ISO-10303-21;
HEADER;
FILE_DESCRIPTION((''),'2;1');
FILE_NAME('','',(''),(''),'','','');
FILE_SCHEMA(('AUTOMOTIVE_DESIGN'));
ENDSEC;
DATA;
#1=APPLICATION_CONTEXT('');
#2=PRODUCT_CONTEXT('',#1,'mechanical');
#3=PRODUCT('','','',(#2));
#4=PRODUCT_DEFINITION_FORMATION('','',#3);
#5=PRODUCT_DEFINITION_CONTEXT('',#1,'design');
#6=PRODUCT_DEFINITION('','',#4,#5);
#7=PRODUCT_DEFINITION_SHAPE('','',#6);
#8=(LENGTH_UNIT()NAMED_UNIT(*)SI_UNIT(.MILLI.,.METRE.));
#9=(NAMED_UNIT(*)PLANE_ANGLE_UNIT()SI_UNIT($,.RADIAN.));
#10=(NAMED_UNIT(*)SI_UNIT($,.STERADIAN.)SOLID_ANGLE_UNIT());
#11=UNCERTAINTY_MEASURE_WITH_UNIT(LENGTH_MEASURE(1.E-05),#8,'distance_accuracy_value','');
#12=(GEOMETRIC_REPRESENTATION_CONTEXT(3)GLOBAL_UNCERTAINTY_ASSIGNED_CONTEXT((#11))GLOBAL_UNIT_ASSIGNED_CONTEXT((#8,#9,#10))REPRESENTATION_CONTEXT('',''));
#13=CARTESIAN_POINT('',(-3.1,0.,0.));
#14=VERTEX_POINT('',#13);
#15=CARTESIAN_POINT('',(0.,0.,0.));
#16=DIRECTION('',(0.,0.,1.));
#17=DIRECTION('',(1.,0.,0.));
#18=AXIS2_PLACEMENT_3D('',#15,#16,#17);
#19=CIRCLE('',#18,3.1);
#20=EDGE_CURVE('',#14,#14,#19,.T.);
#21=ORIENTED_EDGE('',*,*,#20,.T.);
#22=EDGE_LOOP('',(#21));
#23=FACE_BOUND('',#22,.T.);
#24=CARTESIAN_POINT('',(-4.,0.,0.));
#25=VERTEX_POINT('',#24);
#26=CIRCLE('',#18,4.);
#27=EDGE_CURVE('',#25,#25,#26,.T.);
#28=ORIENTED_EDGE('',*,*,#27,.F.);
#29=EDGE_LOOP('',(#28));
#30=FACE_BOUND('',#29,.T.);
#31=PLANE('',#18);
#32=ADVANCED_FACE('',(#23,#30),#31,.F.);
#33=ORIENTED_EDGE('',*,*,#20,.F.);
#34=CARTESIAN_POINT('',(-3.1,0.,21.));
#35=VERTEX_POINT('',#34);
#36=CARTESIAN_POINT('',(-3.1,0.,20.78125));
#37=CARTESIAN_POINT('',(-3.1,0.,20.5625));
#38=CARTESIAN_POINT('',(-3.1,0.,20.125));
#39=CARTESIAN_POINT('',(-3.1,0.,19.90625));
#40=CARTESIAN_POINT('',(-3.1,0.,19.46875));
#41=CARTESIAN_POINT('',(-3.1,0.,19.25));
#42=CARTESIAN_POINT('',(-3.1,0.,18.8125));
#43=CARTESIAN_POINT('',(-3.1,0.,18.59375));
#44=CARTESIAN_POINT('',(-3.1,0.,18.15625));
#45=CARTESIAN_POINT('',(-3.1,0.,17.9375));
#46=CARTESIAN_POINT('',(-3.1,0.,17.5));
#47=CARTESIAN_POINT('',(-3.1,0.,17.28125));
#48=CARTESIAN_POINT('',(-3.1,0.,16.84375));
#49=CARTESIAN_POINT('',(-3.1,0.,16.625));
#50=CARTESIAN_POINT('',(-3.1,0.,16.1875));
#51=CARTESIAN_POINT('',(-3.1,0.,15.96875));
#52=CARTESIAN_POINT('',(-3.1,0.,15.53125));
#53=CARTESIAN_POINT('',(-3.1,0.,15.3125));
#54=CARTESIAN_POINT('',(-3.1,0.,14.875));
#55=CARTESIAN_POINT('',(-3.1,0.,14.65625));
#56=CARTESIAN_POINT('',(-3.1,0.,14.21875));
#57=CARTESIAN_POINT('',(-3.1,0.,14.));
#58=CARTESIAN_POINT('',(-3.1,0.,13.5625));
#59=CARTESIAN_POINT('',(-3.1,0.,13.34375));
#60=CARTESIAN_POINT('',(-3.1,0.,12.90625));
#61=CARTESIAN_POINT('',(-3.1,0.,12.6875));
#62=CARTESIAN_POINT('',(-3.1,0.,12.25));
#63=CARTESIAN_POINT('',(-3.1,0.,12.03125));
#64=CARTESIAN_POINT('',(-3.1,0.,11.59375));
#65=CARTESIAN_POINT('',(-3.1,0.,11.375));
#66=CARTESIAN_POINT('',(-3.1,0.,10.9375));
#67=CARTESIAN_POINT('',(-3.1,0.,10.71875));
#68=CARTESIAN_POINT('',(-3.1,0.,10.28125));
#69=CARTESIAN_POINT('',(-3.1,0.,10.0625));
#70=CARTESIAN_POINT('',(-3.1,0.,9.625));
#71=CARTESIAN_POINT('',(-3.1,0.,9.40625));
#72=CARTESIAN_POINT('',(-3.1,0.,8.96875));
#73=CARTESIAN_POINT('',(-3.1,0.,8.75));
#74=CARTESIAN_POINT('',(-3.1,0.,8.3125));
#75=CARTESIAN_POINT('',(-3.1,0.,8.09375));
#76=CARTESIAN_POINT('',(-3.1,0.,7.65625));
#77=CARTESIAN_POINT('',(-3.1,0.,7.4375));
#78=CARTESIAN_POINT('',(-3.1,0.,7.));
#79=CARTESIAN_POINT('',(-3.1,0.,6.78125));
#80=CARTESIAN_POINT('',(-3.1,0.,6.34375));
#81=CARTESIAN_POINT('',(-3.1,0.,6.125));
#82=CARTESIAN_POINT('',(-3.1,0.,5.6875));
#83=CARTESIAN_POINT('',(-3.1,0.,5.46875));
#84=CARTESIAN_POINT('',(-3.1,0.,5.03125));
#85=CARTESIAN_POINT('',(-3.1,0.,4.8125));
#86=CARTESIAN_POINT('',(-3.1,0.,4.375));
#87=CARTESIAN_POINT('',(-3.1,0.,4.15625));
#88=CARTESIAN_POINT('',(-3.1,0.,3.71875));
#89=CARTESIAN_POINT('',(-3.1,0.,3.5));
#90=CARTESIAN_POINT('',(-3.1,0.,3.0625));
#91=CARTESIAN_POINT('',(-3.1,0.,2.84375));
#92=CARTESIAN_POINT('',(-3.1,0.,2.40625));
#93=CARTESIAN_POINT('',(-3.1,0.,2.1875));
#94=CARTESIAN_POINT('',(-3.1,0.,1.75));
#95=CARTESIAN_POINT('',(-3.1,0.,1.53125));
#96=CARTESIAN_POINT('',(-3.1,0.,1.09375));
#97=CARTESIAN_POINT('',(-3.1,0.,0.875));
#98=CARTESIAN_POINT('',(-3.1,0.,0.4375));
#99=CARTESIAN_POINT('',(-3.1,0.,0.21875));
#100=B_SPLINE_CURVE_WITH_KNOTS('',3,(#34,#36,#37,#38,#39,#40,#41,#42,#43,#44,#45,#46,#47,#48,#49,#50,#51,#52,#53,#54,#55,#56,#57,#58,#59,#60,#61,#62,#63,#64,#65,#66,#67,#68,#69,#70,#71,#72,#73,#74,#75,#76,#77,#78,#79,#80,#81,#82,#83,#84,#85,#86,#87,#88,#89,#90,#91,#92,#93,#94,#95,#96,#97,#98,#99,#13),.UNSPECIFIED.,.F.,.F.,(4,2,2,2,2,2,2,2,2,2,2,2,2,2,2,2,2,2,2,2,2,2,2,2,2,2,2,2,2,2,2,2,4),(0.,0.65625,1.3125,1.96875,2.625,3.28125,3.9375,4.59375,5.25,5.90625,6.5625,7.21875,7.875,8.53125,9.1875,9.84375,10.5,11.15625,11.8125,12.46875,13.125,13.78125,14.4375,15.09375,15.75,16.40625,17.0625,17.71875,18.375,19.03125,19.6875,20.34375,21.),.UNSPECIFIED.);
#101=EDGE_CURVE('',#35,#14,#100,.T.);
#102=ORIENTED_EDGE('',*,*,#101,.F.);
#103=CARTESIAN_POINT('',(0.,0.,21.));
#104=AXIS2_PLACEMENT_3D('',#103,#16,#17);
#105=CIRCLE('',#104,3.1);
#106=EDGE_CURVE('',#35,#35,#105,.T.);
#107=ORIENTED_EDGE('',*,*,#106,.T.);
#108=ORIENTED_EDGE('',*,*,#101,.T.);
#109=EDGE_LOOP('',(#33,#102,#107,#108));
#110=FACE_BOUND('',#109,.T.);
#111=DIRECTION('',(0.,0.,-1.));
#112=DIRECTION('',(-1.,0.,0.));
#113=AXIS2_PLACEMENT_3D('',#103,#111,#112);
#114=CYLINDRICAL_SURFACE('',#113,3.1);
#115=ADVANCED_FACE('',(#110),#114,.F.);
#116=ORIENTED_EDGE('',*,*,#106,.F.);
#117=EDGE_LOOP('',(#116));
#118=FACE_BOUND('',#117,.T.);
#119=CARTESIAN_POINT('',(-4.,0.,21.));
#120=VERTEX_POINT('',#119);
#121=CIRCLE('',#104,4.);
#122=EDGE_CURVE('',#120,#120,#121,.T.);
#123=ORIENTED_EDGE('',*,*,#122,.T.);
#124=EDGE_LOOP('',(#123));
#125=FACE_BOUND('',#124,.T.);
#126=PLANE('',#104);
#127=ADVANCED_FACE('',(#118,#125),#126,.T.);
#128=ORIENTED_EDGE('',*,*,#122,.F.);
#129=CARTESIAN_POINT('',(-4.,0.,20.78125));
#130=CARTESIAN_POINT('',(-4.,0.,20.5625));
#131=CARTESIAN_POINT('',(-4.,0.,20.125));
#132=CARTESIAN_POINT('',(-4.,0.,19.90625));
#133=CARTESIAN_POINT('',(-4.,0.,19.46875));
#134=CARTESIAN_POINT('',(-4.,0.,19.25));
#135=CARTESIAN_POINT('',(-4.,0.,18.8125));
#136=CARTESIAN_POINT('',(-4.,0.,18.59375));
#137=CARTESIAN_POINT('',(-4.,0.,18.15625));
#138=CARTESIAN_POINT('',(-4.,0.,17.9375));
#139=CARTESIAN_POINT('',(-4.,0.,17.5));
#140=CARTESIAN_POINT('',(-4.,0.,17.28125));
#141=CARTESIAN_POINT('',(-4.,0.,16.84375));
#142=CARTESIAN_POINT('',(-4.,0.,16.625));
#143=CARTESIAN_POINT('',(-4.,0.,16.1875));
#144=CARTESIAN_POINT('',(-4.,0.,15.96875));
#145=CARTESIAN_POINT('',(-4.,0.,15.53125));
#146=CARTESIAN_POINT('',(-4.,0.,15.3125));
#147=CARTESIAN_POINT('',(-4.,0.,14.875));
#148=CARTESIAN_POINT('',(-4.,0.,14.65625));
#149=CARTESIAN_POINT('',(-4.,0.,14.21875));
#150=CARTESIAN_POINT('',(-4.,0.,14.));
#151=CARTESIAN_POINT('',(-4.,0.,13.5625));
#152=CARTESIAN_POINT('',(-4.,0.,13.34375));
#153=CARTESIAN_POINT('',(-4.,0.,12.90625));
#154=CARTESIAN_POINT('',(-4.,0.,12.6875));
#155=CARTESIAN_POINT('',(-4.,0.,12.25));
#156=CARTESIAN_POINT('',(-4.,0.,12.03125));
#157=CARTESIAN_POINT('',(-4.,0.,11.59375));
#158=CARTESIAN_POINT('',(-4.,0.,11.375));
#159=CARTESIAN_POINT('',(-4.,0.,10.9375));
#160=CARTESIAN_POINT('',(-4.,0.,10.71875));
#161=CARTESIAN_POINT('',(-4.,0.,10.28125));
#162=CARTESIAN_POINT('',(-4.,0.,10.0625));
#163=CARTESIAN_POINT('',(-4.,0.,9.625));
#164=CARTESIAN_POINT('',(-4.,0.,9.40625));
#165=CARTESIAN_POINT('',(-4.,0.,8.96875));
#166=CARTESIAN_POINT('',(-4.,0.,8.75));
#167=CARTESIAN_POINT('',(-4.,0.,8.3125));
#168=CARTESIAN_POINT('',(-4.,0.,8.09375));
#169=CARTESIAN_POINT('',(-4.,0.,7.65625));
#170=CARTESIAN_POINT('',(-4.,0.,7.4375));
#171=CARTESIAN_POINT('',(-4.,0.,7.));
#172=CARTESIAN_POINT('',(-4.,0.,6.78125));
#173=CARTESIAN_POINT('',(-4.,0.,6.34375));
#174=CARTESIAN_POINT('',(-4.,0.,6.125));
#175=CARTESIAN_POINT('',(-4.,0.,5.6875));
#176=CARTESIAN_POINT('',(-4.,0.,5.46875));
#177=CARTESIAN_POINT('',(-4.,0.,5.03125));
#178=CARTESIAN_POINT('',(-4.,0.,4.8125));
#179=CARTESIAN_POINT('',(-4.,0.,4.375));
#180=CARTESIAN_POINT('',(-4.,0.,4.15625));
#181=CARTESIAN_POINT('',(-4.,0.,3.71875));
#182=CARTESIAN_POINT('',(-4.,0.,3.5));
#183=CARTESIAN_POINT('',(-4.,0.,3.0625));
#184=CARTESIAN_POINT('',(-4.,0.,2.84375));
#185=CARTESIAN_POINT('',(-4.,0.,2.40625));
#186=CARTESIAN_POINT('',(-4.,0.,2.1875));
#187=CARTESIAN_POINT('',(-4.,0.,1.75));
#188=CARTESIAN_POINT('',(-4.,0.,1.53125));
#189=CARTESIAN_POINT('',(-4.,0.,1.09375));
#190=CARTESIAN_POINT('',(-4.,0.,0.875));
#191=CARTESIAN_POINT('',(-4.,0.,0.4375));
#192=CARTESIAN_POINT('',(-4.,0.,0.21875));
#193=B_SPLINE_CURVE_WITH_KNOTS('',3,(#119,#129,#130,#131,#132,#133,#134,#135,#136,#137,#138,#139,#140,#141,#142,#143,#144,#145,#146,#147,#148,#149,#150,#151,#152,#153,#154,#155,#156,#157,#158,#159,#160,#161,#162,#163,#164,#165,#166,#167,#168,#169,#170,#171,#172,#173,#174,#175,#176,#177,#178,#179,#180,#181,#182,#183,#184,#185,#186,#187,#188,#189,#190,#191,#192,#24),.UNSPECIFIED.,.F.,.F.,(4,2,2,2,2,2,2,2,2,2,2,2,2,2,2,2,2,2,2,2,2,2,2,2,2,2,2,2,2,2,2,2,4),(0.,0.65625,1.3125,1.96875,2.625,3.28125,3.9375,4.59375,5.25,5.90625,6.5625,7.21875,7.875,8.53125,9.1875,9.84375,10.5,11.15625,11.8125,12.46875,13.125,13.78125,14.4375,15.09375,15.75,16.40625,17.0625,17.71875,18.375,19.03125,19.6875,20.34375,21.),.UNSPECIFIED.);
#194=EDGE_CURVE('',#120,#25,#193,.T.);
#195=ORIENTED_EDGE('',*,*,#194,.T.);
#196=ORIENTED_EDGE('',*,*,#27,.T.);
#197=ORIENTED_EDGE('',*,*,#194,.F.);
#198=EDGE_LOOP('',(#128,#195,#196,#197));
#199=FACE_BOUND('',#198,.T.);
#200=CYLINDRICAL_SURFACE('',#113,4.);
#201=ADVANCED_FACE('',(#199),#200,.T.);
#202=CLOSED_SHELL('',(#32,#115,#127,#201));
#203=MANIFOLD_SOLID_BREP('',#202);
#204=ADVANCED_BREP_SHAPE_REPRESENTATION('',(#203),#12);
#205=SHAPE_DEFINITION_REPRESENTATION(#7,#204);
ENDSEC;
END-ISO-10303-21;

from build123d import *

# Parameters (mm, degrees)
SKETCH1_R           = 4
SKETCH1_R_2         = 3.1
BOSS_EXTRUDE1_DEPTH = 21


with BuildPart() as part:
    # Sketch1 → Boss-Extrude1 (new body)
    with BuildSketch(Plane.XY):
        with Locations(Location((0, 0, 0), (0, 0, 180))):
            Circle(SKETCH1_R)
        with Locations(Location((0, 0, 0), (0, 0, 180))):
            Circle(SKETCH1_R_2, mode=Mode.SUBTRACT)
    extrude(amount=BOSS_EXTRUDE1_DEPTH)


solid = part.part
